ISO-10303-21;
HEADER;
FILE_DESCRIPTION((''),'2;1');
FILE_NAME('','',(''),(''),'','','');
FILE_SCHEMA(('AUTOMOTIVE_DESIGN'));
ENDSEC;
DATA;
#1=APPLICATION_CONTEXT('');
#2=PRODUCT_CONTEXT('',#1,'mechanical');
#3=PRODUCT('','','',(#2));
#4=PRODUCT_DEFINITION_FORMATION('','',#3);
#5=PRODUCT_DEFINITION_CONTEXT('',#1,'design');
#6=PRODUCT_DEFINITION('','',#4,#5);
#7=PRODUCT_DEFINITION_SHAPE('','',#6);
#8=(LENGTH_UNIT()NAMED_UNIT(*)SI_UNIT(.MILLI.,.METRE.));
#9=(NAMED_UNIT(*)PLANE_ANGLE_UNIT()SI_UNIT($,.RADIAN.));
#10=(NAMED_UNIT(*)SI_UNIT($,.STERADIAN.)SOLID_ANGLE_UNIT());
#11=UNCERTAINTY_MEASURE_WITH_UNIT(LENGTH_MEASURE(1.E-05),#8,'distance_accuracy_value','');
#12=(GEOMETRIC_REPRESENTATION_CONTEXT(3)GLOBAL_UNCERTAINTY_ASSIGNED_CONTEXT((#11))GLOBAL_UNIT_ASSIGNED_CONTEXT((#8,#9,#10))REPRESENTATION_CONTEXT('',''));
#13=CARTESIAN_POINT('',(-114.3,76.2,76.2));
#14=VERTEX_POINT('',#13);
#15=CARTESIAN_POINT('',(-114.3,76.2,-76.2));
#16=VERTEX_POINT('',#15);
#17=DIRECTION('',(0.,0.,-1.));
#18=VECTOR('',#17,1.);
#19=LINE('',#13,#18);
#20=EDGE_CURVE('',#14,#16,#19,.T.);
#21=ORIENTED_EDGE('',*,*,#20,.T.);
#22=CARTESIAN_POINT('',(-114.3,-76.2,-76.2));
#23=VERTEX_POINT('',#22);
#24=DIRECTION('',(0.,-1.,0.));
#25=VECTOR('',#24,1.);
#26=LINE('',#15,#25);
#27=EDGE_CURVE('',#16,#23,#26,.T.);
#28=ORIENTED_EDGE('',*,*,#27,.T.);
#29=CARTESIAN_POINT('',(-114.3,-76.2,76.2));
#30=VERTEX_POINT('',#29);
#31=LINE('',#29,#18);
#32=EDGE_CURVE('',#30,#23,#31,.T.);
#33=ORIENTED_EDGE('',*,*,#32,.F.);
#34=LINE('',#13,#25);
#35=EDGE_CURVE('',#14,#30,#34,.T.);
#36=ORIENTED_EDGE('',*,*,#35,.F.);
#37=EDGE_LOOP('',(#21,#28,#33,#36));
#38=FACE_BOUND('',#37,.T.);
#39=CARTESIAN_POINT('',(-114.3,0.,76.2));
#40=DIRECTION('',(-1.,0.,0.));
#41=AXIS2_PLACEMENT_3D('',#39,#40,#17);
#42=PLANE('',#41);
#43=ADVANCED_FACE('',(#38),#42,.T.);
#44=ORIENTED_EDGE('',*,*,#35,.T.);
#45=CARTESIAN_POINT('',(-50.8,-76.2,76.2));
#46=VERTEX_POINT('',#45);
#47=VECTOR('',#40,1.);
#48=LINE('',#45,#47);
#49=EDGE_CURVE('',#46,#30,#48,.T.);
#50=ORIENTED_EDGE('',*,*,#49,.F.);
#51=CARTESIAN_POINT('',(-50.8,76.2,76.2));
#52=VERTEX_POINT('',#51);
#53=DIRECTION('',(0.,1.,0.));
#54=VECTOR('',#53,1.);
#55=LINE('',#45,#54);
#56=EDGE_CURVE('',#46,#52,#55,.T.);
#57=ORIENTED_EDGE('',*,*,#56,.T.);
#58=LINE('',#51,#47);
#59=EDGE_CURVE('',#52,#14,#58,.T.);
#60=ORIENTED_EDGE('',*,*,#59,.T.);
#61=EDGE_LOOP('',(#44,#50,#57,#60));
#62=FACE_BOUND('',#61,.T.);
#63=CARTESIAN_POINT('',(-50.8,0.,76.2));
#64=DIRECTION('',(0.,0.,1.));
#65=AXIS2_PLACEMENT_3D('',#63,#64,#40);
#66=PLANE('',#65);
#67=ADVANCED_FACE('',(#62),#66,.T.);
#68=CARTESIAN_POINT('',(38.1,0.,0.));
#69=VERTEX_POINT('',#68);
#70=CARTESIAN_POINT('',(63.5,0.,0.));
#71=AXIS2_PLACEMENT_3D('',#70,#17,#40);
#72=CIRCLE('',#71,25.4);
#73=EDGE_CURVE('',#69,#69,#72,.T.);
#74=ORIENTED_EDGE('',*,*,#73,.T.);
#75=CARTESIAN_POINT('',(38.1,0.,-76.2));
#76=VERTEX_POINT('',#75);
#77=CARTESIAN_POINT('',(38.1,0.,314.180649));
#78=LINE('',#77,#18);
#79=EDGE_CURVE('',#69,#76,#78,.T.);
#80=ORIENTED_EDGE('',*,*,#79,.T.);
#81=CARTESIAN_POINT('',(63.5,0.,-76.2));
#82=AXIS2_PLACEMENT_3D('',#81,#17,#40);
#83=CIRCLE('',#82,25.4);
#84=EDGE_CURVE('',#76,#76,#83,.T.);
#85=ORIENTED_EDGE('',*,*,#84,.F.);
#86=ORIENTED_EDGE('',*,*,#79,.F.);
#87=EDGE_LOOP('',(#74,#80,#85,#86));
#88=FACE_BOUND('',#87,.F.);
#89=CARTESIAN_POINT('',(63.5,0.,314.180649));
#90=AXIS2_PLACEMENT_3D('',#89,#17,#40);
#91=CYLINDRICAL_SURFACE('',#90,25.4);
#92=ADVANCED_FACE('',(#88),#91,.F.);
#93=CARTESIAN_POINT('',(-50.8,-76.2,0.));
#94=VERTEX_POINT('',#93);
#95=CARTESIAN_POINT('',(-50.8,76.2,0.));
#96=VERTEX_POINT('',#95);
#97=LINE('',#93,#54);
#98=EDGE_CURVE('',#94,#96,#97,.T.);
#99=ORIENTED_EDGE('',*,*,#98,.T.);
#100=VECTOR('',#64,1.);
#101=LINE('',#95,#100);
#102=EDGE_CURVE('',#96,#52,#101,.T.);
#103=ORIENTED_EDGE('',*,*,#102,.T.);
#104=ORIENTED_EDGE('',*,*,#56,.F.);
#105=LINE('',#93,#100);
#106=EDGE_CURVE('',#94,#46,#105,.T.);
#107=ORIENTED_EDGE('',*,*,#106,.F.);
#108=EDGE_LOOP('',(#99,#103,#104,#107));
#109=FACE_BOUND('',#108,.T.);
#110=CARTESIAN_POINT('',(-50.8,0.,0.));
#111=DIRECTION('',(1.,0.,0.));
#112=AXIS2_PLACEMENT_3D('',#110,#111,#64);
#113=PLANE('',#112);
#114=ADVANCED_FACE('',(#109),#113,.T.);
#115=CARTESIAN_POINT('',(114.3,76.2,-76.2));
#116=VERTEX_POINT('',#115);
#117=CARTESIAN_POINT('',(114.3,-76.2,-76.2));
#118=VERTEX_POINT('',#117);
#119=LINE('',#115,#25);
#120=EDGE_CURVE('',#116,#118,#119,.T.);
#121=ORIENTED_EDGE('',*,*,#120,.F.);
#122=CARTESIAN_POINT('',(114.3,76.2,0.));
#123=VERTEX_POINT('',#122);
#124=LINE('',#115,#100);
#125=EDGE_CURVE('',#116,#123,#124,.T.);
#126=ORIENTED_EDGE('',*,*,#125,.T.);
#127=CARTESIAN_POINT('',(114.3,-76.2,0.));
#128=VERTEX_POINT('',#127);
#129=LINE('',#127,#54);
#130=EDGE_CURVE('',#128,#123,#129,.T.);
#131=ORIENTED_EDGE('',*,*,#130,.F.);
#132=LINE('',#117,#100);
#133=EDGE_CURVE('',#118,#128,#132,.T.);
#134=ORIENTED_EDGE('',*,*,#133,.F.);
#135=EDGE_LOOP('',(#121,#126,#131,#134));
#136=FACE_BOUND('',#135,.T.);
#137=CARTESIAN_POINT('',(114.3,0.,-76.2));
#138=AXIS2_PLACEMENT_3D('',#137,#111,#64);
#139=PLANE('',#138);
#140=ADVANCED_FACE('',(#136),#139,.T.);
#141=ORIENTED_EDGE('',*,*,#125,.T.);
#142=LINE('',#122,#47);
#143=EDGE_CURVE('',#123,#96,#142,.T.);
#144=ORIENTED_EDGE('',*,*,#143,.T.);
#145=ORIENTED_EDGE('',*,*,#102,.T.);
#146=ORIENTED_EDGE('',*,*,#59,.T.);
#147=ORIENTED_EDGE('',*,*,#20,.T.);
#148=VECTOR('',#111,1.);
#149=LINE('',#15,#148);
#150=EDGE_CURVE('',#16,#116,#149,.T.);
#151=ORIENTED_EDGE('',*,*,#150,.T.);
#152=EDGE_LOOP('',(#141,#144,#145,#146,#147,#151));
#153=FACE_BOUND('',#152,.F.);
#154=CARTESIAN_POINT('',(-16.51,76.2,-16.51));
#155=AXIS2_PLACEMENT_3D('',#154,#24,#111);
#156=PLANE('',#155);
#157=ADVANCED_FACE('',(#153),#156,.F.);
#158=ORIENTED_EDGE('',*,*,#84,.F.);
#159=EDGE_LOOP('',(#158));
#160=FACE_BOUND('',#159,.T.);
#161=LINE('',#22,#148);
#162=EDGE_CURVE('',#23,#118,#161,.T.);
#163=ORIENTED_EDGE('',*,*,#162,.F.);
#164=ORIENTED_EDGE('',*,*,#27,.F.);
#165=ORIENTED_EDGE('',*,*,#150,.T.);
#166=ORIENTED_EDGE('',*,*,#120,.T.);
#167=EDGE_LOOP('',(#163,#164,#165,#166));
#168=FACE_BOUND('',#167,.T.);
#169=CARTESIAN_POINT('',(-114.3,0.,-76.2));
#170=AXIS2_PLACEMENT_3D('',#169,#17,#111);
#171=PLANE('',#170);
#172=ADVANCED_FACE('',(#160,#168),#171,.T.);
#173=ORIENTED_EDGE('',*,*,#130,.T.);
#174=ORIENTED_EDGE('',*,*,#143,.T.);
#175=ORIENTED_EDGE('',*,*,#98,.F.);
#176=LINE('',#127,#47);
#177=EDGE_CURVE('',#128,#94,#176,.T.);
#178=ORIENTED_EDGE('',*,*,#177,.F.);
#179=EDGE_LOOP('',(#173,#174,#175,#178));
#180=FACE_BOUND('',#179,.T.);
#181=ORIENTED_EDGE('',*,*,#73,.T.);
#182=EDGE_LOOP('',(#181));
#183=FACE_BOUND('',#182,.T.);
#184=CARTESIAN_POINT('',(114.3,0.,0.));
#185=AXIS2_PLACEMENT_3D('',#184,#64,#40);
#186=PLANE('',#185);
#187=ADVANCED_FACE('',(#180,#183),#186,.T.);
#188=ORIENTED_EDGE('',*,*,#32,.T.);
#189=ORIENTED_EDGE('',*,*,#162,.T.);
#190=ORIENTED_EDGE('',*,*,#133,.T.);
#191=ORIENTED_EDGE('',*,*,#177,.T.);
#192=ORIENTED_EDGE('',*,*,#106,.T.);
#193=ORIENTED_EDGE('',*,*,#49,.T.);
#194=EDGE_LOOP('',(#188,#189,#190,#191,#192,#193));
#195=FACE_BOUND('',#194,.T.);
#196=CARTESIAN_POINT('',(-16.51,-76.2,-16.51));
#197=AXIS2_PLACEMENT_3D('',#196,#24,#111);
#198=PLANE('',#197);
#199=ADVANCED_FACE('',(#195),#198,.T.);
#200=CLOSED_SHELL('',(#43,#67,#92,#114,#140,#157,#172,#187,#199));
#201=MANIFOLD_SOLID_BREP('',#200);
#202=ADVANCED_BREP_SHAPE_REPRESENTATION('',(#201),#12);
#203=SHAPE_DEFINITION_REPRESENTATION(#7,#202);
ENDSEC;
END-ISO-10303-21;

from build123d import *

# Parameters (mm, degrees)
F1_DEPTH = 76.2
F3_D     = 50.8


with BuildPart() as f1:
    # F0 (on Front) → F1 (new body, symmetric)
    with BuildSketch(Plane.XZ):
        Polygon((-50.8, 76.2), (-114.3, 76.2), (-114.3, -76.2), (114.3, -76.2), (114.3, 0), (-50.8, 0), align=None)
    extrude(amount=F1_DEPTH, both=True)

    # F3 (through all)
    with Locations(Plane.XY):
        with Locations((63.5, 0)):
            Hole(F3_D / 2)


solid = f1.part
